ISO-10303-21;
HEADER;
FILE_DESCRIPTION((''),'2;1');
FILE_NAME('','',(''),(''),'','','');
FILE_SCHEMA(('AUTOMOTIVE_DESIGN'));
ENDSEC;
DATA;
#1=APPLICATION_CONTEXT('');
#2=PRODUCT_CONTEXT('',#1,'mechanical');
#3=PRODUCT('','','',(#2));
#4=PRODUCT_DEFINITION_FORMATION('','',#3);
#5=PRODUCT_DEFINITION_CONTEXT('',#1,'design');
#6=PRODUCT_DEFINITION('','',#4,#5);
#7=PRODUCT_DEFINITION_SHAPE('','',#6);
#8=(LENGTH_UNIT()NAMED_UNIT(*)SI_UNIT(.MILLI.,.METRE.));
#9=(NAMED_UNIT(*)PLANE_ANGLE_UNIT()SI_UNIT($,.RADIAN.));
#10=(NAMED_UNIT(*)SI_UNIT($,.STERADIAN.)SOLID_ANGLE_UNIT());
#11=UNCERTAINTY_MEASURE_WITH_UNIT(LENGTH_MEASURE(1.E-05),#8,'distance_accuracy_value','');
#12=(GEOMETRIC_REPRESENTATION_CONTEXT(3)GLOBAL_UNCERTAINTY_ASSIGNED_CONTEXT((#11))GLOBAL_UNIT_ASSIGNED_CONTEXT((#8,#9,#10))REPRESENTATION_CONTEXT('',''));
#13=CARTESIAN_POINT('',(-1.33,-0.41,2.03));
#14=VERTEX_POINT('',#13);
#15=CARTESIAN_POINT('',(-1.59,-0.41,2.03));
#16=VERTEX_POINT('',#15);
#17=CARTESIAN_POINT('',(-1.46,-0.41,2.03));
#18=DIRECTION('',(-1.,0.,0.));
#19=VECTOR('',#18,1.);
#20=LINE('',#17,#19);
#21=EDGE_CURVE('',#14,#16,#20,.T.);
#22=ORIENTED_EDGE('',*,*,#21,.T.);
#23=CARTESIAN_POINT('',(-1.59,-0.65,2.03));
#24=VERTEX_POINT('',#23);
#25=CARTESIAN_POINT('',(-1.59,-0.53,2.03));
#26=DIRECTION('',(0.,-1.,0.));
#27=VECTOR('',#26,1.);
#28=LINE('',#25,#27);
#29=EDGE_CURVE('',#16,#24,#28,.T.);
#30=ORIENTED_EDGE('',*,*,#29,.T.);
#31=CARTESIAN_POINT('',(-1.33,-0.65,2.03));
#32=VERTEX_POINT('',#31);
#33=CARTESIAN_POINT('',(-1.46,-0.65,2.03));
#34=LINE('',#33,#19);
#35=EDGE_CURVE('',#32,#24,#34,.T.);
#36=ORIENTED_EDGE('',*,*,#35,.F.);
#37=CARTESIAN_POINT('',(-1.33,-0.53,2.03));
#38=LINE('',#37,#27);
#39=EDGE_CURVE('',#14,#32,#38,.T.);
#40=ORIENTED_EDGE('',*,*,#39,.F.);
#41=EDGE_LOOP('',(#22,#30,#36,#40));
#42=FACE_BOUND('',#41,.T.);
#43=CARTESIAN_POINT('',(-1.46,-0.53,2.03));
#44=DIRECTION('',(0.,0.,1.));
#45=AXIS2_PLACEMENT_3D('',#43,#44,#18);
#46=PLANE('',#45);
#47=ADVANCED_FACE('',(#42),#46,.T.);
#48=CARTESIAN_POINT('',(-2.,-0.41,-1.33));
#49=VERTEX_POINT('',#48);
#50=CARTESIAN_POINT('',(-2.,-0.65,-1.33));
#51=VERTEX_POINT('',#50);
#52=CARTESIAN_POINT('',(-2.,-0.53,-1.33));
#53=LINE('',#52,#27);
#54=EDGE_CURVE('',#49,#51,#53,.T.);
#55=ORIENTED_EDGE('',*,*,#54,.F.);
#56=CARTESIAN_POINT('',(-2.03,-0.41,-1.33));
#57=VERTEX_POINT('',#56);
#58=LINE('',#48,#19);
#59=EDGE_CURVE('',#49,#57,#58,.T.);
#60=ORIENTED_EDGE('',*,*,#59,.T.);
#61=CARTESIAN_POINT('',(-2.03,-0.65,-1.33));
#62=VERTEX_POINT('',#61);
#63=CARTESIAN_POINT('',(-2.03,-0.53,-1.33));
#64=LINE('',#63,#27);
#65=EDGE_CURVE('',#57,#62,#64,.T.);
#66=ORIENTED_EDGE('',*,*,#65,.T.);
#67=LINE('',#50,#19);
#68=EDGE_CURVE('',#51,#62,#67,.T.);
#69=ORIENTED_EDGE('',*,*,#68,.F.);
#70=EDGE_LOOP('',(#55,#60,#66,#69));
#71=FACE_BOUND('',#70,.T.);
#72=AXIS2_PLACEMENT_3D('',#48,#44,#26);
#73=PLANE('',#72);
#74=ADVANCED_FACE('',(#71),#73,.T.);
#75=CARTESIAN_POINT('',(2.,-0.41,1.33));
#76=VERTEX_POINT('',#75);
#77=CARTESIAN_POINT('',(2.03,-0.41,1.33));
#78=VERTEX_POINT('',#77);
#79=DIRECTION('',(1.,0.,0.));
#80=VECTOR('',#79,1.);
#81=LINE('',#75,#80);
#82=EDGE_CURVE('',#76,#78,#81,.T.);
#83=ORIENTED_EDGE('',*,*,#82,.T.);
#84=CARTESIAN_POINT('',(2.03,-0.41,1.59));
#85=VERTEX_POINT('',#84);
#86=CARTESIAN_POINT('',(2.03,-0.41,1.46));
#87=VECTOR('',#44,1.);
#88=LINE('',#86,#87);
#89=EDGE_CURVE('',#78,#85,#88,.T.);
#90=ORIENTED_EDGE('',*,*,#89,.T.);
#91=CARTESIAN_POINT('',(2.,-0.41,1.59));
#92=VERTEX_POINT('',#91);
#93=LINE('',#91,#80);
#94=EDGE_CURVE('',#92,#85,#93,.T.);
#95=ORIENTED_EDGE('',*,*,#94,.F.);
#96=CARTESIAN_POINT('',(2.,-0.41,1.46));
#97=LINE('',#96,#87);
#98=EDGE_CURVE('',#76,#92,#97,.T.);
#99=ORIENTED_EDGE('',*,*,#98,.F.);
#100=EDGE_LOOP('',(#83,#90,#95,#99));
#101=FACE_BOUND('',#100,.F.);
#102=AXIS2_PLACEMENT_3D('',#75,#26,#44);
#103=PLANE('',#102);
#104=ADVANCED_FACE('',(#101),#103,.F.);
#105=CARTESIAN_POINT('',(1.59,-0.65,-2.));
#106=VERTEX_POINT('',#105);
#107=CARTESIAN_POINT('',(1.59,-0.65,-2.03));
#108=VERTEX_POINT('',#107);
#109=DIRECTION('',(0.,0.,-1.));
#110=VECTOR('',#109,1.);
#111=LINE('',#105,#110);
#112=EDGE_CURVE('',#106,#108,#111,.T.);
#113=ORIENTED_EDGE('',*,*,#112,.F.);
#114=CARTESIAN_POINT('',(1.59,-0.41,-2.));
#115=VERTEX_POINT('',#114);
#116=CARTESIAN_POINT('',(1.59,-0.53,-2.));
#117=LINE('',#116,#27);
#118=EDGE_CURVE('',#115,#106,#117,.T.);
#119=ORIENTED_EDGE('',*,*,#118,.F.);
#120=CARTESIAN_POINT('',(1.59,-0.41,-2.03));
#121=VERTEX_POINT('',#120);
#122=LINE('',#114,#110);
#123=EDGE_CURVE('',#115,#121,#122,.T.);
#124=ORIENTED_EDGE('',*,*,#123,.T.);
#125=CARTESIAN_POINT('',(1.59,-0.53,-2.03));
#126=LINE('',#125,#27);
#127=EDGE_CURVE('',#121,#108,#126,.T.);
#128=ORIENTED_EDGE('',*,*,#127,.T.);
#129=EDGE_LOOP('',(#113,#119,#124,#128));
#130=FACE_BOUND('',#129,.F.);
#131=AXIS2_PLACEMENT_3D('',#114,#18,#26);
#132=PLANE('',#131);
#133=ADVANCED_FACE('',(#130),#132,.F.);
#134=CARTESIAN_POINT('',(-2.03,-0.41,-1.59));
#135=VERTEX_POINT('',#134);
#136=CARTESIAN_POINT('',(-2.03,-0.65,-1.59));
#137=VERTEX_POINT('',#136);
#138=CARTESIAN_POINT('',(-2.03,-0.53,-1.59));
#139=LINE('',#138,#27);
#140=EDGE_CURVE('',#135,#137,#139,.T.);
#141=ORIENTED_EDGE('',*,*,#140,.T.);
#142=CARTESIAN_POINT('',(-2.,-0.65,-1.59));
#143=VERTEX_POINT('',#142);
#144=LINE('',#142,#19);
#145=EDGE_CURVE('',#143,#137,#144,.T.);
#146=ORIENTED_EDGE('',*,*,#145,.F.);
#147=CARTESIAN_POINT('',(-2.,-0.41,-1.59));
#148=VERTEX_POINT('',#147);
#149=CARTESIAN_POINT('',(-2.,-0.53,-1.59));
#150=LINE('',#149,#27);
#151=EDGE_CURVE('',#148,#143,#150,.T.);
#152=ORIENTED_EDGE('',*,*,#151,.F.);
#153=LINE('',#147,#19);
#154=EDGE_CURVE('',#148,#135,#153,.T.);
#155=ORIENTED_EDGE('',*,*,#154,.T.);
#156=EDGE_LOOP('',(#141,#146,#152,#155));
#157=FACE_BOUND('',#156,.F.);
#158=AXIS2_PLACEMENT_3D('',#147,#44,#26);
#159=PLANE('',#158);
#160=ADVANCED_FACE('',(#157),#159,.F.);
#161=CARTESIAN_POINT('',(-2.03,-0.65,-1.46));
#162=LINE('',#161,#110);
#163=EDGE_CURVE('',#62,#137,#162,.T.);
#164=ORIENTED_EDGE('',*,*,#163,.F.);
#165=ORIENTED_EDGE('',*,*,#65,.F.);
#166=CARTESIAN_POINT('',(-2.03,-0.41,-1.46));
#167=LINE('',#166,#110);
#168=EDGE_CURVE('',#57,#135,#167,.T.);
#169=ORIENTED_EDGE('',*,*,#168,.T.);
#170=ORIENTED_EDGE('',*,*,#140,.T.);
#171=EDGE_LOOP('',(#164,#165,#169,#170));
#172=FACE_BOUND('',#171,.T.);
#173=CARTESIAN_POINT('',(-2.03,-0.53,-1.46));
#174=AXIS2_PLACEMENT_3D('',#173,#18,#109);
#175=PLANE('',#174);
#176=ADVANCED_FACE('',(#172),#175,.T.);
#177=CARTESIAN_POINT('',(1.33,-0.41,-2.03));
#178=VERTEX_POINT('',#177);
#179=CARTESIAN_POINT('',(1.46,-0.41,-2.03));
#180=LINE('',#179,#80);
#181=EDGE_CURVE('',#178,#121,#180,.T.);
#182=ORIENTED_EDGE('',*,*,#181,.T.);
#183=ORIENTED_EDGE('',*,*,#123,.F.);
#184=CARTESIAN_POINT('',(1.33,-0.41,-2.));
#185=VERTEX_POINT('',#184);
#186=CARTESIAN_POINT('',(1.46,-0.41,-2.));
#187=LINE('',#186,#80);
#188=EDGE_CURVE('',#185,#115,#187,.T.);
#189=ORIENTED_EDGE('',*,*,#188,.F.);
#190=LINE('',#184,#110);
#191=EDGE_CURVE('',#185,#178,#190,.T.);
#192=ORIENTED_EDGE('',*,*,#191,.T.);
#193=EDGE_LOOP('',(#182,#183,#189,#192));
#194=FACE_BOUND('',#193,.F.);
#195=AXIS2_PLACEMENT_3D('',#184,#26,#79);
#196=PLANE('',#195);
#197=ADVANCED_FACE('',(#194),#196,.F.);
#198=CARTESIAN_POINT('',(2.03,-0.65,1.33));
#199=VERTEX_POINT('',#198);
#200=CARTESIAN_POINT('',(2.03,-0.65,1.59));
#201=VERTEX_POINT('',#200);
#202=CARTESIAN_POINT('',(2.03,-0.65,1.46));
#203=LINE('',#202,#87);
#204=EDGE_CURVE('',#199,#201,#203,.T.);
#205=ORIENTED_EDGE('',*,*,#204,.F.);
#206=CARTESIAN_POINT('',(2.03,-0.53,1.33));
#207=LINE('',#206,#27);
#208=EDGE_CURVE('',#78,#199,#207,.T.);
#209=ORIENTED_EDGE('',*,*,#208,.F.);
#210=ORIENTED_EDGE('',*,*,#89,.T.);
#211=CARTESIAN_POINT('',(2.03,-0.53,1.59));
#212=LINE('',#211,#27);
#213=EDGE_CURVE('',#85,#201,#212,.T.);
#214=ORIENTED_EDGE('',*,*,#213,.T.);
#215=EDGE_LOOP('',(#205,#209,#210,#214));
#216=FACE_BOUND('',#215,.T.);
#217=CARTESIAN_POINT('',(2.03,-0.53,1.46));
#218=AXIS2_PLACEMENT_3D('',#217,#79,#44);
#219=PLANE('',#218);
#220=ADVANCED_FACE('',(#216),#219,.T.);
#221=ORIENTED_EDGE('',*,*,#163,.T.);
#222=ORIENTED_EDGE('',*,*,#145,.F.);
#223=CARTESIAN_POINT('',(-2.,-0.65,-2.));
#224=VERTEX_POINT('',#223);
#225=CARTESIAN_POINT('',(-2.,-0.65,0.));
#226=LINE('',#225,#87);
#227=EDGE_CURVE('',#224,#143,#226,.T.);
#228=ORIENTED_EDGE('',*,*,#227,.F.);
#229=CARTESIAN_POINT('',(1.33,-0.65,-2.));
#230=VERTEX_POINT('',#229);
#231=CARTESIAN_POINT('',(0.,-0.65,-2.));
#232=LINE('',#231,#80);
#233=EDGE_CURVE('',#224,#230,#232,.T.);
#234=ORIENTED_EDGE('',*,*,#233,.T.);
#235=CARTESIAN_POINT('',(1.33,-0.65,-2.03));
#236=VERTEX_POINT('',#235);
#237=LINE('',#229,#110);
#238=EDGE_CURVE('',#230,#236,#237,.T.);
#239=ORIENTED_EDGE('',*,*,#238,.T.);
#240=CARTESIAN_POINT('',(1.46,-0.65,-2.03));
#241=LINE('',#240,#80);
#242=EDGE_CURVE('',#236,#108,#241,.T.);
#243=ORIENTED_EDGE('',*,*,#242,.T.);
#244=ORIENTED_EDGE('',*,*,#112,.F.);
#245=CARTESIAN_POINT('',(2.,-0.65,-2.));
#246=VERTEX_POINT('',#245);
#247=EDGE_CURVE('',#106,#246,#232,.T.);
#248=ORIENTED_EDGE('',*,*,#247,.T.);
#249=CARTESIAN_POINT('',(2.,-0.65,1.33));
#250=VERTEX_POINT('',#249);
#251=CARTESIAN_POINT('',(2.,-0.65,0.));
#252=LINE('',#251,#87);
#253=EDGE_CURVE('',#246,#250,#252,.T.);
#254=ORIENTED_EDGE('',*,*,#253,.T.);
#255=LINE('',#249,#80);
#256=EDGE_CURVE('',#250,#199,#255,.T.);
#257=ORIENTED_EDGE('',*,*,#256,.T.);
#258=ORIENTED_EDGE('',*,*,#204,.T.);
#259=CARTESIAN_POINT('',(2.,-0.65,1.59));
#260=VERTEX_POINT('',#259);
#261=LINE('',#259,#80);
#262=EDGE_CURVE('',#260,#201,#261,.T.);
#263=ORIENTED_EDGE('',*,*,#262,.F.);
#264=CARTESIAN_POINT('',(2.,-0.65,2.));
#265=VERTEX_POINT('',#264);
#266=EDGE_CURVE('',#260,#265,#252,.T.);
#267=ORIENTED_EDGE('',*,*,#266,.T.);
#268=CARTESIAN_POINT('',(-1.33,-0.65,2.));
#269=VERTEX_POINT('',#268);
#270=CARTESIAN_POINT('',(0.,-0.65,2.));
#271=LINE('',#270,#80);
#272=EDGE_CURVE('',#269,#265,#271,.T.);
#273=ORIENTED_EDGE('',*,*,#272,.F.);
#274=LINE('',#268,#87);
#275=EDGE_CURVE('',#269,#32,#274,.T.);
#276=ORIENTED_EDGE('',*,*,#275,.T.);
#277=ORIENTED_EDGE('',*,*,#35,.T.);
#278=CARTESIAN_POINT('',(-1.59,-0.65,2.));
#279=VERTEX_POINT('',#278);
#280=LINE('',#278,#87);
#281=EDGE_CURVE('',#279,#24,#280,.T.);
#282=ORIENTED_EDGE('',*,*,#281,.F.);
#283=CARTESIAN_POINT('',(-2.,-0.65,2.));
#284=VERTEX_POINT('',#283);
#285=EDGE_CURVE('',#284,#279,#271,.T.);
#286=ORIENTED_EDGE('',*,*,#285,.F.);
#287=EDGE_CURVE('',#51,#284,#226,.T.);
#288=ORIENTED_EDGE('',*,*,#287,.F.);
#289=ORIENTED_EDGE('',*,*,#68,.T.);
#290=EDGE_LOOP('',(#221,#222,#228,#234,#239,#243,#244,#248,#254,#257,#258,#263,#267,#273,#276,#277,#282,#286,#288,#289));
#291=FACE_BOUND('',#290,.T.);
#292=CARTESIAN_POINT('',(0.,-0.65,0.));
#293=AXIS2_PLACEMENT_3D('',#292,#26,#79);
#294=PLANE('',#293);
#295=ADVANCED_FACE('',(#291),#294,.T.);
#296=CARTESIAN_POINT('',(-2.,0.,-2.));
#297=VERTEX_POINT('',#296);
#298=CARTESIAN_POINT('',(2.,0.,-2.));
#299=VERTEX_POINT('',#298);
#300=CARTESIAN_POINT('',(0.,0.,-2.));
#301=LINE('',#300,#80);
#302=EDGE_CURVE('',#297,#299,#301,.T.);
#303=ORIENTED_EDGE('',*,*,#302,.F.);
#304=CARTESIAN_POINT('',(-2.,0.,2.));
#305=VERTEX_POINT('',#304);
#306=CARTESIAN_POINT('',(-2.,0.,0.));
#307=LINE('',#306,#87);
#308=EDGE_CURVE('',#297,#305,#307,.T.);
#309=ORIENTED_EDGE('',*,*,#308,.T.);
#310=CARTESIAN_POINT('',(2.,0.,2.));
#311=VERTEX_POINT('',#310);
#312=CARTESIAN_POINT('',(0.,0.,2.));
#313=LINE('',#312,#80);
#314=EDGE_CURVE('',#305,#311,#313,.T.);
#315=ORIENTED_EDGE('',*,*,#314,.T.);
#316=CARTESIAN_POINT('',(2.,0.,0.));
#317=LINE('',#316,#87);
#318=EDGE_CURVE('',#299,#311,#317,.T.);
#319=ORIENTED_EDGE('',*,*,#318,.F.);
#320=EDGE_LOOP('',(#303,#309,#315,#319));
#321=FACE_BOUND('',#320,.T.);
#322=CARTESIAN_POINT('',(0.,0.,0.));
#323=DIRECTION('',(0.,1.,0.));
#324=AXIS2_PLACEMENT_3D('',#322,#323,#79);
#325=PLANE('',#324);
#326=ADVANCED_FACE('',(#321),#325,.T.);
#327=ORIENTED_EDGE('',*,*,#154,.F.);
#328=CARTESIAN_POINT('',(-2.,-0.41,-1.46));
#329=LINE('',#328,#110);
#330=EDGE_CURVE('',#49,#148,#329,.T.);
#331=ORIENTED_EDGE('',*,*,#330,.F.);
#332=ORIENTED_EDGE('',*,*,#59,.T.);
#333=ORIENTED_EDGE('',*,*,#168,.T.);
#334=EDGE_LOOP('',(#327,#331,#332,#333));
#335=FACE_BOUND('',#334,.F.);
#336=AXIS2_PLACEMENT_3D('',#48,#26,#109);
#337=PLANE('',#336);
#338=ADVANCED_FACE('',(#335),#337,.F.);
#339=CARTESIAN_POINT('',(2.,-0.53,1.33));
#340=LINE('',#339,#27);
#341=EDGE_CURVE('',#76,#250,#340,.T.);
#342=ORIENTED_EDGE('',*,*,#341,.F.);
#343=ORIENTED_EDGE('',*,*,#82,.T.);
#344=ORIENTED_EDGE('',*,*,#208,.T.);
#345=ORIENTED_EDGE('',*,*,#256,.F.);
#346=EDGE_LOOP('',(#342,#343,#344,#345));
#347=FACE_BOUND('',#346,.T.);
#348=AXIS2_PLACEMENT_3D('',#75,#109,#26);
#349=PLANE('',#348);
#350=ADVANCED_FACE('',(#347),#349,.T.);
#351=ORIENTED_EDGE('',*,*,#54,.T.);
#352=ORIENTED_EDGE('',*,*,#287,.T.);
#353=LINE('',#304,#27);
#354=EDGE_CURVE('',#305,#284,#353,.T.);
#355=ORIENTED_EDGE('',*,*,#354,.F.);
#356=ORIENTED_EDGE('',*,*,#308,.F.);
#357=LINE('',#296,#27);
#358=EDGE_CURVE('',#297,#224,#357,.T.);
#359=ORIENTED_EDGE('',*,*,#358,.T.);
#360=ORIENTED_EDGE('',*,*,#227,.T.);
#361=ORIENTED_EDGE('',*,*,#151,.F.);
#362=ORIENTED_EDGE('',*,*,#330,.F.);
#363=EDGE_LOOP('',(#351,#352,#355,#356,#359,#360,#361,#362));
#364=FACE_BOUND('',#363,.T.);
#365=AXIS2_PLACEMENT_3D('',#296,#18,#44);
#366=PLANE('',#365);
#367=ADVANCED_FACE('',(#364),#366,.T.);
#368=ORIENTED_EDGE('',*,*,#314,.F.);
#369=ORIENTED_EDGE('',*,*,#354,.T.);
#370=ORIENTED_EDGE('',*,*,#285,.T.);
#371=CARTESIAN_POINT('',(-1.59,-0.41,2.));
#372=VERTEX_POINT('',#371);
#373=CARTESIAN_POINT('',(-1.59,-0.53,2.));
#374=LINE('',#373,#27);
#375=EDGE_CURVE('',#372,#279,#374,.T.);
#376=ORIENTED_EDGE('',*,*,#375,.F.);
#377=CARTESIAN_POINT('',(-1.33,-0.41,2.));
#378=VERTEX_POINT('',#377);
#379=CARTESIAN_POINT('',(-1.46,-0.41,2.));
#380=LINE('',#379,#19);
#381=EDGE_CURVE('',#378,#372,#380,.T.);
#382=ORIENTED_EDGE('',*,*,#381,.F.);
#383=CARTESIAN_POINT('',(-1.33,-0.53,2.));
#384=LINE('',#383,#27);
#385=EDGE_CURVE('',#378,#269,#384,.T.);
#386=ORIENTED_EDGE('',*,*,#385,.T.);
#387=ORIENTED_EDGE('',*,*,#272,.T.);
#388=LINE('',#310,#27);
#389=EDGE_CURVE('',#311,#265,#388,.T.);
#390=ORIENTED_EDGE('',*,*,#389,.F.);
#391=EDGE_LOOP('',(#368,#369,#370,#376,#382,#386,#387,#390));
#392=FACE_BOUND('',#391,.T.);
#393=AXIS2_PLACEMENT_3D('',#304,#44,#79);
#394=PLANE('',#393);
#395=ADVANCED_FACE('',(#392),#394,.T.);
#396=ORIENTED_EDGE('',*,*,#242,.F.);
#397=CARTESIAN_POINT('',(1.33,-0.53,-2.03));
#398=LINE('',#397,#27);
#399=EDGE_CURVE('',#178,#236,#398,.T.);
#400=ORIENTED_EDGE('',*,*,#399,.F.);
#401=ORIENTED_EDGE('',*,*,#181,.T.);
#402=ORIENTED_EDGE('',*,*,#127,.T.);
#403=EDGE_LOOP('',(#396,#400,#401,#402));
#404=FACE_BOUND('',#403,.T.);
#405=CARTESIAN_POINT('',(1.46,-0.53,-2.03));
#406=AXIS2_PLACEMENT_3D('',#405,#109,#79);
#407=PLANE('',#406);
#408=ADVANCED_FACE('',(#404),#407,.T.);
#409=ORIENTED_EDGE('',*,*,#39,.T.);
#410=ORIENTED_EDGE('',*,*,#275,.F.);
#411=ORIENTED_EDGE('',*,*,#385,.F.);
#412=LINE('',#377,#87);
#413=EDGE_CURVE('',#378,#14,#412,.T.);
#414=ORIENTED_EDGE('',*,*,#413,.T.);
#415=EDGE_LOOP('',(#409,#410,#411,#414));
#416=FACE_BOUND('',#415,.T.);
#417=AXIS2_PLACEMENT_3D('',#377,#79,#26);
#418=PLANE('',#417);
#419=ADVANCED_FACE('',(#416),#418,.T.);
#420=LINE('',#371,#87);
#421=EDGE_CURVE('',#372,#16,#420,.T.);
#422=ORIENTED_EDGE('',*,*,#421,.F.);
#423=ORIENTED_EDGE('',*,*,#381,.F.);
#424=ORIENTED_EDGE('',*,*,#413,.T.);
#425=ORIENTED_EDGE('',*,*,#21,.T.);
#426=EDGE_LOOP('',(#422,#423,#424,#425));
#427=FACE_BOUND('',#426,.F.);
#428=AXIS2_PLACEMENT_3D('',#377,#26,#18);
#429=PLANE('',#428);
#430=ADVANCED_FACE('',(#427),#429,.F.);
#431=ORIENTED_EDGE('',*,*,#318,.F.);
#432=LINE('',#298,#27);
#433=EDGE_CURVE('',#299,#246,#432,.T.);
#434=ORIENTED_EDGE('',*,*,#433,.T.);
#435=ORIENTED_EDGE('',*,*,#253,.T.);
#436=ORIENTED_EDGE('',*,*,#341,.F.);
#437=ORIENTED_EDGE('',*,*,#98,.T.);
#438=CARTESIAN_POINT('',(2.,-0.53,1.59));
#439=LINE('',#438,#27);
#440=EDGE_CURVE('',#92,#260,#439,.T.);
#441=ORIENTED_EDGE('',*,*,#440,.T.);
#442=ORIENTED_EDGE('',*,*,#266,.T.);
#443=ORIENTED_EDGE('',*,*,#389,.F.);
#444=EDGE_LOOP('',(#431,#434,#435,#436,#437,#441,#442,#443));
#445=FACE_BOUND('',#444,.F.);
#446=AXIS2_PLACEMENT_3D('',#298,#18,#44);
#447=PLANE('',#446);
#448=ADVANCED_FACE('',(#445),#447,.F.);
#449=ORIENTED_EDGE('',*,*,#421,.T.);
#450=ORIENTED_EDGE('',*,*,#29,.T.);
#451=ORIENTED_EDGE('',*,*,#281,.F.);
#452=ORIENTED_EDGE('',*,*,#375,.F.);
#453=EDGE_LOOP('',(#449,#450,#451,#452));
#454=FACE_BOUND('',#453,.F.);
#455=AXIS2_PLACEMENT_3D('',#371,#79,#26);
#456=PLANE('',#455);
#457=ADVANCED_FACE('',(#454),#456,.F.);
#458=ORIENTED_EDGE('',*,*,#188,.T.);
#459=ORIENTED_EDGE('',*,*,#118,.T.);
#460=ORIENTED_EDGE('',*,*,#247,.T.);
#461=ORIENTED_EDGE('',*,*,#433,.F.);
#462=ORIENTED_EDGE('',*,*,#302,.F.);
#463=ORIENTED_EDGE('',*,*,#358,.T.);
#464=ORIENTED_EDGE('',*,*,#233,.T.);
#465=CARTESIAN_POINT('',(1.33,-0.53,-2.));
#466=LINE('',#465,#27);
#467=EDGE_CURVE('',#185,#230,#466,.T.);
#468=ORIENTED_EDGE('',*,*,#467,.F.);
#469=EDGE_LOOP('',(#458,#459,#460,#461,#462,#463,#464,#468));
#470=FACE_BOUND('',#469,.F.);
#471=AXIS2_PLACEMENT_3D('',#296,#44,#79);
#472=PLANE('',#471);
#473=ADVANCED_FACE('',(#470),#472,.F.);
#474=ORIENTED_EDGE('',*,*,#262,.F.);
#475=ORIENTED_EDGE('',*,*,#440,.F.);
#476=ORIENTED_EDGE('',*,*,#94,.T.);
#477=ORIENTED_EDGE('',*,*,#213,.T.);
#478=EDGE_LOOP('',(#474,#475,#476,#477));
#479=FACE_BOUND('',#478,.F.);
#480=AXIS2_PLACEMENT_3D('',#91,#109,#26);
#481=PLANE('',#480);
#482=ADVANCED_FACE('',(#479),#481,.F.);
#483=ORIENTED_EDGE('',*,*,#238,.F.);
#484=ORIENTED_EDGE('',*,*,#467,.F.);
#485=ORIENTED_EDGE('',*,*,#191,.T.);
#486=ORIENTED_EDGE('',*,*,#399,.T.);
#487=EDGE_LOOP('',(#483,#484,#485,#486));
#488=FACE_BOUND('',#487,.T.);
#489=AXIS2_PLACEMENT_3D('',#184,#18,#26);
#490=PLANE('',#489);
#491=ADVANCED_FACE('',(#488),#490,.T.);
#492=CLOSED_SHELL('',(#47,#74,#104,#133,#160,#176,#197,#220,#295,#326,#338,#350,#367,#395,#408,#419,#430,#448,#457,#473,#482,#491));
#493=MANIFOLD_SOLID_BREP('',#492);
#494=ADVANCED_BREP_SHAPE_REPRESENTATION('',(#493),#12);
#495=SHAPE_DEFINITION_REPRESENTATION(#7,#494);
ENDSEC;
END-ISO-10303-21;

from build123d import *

# Parameters (mm, degrees)
SKETCH_W     = 4
SKETCH_H     = 4
PAD_DEPTH    = 0.65
SKETCH001_W  = 3
SKETCH001_H  = 3
POCKET_DEPTH = 0.15
SKETCH002_W  = 3
SKETCH002_H  = 3
PAD001_DEPTH = 0.15
SKETCH003_W  = 0.26
SKETCH003_H  = 0.24
PAD002_DEPTH = 0.03
SKETCH004_W  = 0.26
SKETCH004_H  = 0.24
PAD003_DEPTH = 0.03
SKETCH005_W  = 0.26
SKETCH005_H  = 0.24
PAD004_DEPTH = 0.03
SKETCH006_W  = 0.26
SKETCH006_H  = 0.24
PAD005_DEPTH = 0.03


with BuildPart() as part:
    # Sketch → Pad (new body)
    with BuildSketch(Plane.XZ):
        Rectangle(SKETCH_W, SKETCH_H)
    extrude(amount=PAD_DEPTH)

    # Sketch001 (on Face5 of Pad) → Pocket (cut)
    with BuildSketch(Plane(origin=(0, 0, 0), x_dir=(1, 0, 0), z_dir=(0, 1, 0))):
        Rectangle(SKETCH001_W, SKETCH001_H)
    extrude(amount=-POCKET_DEPTH, mode=Mode.SUBTRACT)

    # Sketch002 (on Face11 of Pocket) → Pad001 (join)
    with BuildSketch(Plane(origin=(0, -0.15, 0), x_dir=(1, 0, 0), z_dir=(0, 1, 0))):
        Rectangle(SKETCH002_W, SKETCH002_H)
    extrude(amount=PAD001_DEPTH)

    # Sketch003 (on Face1 of Pad001) → Pad002 (join)
    with BuildSketch(Plane(origin=(0, 0, 2), x_dir=(-1, 0, 0), z_dir=(0, 0, 1))):
        with Locations((1.46, 0.53)):
            Rectangle(SKETCH003_W, SKETCH003_H)
    extrude(amount=PAD002_DEPTH)

    # Sketch004 (on Face3 of Pad002) → Pad003 (join)
    with BuildSketch(Plane(origin=(2, 0, 0), x_dir=(0, 0, 1), z_dir=(1, 0, 0))):
        with Locations((1.46, 0.53)):
            Rectangle(SKETCH004_W, SKETCH004_H)
    extrude(amount=PAD003_DEPTH)

    # Sketch005 (on Face9 of Pad003) → Pad004 (join)
    with BuildSketch(Plane(origin=(0, 0, -2), x_dir=(1, 0, 0), z_dir=(0, 0, -1))):
        with Locations((1.46, 0.53)):
            Rectangle(SKETCH005_W, SKETCH005_H)
    extrude(amount=PAD004_DEPTH)

    # Sketch006 (on Face8 of Pad004) → Pad005 (join)
    with BuildSketch(Plane(origin=(-2, 0, 0), x_dir=(0, 0, -1), z_dir=(-1, 0, 0))):
        with Locations((1.46, 0.53)):
            Rectangle(SKETCH006_W, SKETCH006_H)
    extrude(amount=PAD005_DEPTH)


solid = part.part
